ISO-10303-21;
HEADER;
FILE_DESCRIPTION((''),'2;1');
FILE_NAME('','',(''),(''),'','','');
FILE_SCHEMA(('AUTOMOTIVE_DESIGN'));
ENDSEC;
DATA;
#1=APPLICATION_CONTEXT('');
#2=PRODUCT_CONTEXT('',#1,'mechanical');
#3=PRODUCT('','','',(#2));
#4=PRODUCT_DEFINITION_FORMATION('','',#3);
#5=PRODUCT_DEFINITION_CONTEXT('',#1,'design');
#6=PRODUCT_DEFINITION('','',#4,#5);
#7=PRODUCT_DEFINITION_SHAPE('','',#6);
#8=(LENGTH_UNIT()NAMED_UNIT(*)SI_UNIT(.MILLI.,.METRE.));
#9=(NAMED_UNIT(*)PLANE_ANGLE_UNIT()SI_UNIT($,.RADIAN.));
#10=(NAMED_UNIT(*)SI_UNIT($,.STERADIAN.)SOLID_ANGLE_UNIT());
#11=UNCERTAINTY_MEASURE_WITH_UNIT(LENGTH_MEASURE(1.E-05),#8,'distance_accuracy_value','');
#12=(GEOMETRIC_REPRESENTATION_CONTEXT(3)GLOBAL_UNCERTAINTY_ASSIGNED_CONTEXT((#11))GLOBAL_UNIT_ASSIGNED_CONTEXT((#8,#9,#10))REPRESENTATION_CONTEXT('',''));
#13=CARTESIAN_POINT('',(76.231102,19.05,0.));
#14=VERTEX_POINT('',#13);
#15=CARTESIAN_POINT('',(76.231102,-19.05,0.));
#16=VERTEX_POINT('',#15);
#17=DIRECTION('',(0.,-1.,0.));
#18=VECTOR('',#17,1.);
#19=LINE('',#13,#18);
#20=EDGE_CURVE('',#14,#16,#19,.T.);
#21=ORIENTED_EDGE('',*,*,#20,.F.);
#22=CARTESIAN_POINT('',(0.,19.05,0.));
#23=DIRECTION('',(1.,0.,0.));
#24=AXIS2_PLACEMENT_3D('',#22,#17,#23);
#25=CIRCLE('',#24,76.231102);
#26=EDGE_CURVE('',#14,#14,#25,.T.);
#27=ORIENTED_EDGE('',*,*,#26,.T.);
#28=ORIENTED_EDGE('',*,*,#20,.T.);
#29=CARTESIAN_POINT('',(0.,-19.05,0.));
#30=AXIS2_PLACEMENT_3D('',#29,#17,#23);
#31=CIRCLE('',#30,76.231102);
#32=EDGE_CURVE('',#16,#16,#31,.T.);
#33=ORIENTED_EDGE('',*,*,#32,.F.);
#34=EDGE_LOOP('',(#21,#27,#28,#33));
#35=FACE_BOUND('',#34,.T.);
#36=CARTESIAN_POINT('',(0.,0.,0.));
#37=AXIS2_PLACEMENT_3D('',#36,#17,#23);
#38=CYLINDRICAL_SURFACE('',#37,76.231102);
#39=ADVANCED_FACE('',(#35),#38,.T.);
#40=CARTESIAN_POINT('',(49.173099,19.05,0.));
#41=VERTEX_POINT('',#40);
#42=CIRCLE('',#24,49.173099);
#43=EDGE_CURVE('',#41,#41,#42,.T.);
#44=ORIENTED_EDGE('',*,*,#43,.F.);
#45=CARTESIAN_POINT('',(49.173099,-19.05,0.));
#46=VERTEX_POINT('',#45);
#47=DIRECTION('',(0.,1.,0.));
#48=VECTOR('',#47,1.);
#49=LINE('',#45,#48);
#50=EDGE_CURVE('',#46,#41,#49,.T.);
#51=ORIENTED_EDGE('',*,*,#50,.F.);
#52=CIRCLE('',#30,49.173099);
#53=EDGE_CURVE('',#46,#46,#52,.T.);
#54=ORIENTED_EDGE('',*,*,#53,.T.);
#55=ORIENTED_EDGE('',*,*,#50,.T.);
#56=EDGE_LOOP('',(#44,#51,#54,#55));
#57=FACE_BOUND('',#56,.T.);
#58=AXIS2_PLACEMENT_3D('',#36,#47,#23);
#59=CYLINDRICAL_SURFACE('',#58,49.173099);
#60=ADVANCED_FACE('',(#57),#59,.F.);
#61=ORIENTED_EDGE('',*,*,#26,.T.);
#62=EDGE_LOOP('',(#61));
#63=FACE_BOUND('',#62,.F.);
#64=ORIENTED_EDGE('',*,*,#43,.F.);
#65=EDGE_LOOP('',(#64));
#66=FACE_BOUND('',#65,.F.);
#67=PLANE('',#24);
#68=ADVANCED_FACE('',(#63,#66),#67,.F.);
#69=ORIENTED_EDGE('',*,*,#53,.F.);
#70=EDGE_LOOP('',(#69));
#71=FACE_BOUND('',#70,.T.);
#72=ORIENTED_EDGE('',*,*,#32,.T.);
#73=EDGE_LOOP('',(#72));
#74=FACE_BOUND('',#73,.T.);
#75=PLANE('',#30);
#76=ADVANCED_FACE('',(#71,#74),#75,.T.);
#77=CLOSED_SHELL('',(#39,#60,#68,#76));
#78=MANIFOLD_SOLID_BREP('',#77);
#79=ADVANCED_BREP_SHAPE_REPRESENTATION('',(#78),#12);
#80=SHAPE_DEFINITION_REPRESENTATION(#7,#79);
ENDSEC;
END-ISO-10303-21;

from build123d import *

# Parameters (mm, degrees)
F0_R     = 76.231102
F0_R_2   = 49.173099
F1_DEPTH = 19.05


with BuildPart() as f1:
    # F0 (on Front) → F1 (new body, symmetric)
    with BuildSketch(Plane.XZ):
        Circle(F0_R)
        Circle(F0_R_2, mode=Mode.SUBTRACT)
    extrude(amount=F1_DEPTH, both=True)


solid = f1.part
